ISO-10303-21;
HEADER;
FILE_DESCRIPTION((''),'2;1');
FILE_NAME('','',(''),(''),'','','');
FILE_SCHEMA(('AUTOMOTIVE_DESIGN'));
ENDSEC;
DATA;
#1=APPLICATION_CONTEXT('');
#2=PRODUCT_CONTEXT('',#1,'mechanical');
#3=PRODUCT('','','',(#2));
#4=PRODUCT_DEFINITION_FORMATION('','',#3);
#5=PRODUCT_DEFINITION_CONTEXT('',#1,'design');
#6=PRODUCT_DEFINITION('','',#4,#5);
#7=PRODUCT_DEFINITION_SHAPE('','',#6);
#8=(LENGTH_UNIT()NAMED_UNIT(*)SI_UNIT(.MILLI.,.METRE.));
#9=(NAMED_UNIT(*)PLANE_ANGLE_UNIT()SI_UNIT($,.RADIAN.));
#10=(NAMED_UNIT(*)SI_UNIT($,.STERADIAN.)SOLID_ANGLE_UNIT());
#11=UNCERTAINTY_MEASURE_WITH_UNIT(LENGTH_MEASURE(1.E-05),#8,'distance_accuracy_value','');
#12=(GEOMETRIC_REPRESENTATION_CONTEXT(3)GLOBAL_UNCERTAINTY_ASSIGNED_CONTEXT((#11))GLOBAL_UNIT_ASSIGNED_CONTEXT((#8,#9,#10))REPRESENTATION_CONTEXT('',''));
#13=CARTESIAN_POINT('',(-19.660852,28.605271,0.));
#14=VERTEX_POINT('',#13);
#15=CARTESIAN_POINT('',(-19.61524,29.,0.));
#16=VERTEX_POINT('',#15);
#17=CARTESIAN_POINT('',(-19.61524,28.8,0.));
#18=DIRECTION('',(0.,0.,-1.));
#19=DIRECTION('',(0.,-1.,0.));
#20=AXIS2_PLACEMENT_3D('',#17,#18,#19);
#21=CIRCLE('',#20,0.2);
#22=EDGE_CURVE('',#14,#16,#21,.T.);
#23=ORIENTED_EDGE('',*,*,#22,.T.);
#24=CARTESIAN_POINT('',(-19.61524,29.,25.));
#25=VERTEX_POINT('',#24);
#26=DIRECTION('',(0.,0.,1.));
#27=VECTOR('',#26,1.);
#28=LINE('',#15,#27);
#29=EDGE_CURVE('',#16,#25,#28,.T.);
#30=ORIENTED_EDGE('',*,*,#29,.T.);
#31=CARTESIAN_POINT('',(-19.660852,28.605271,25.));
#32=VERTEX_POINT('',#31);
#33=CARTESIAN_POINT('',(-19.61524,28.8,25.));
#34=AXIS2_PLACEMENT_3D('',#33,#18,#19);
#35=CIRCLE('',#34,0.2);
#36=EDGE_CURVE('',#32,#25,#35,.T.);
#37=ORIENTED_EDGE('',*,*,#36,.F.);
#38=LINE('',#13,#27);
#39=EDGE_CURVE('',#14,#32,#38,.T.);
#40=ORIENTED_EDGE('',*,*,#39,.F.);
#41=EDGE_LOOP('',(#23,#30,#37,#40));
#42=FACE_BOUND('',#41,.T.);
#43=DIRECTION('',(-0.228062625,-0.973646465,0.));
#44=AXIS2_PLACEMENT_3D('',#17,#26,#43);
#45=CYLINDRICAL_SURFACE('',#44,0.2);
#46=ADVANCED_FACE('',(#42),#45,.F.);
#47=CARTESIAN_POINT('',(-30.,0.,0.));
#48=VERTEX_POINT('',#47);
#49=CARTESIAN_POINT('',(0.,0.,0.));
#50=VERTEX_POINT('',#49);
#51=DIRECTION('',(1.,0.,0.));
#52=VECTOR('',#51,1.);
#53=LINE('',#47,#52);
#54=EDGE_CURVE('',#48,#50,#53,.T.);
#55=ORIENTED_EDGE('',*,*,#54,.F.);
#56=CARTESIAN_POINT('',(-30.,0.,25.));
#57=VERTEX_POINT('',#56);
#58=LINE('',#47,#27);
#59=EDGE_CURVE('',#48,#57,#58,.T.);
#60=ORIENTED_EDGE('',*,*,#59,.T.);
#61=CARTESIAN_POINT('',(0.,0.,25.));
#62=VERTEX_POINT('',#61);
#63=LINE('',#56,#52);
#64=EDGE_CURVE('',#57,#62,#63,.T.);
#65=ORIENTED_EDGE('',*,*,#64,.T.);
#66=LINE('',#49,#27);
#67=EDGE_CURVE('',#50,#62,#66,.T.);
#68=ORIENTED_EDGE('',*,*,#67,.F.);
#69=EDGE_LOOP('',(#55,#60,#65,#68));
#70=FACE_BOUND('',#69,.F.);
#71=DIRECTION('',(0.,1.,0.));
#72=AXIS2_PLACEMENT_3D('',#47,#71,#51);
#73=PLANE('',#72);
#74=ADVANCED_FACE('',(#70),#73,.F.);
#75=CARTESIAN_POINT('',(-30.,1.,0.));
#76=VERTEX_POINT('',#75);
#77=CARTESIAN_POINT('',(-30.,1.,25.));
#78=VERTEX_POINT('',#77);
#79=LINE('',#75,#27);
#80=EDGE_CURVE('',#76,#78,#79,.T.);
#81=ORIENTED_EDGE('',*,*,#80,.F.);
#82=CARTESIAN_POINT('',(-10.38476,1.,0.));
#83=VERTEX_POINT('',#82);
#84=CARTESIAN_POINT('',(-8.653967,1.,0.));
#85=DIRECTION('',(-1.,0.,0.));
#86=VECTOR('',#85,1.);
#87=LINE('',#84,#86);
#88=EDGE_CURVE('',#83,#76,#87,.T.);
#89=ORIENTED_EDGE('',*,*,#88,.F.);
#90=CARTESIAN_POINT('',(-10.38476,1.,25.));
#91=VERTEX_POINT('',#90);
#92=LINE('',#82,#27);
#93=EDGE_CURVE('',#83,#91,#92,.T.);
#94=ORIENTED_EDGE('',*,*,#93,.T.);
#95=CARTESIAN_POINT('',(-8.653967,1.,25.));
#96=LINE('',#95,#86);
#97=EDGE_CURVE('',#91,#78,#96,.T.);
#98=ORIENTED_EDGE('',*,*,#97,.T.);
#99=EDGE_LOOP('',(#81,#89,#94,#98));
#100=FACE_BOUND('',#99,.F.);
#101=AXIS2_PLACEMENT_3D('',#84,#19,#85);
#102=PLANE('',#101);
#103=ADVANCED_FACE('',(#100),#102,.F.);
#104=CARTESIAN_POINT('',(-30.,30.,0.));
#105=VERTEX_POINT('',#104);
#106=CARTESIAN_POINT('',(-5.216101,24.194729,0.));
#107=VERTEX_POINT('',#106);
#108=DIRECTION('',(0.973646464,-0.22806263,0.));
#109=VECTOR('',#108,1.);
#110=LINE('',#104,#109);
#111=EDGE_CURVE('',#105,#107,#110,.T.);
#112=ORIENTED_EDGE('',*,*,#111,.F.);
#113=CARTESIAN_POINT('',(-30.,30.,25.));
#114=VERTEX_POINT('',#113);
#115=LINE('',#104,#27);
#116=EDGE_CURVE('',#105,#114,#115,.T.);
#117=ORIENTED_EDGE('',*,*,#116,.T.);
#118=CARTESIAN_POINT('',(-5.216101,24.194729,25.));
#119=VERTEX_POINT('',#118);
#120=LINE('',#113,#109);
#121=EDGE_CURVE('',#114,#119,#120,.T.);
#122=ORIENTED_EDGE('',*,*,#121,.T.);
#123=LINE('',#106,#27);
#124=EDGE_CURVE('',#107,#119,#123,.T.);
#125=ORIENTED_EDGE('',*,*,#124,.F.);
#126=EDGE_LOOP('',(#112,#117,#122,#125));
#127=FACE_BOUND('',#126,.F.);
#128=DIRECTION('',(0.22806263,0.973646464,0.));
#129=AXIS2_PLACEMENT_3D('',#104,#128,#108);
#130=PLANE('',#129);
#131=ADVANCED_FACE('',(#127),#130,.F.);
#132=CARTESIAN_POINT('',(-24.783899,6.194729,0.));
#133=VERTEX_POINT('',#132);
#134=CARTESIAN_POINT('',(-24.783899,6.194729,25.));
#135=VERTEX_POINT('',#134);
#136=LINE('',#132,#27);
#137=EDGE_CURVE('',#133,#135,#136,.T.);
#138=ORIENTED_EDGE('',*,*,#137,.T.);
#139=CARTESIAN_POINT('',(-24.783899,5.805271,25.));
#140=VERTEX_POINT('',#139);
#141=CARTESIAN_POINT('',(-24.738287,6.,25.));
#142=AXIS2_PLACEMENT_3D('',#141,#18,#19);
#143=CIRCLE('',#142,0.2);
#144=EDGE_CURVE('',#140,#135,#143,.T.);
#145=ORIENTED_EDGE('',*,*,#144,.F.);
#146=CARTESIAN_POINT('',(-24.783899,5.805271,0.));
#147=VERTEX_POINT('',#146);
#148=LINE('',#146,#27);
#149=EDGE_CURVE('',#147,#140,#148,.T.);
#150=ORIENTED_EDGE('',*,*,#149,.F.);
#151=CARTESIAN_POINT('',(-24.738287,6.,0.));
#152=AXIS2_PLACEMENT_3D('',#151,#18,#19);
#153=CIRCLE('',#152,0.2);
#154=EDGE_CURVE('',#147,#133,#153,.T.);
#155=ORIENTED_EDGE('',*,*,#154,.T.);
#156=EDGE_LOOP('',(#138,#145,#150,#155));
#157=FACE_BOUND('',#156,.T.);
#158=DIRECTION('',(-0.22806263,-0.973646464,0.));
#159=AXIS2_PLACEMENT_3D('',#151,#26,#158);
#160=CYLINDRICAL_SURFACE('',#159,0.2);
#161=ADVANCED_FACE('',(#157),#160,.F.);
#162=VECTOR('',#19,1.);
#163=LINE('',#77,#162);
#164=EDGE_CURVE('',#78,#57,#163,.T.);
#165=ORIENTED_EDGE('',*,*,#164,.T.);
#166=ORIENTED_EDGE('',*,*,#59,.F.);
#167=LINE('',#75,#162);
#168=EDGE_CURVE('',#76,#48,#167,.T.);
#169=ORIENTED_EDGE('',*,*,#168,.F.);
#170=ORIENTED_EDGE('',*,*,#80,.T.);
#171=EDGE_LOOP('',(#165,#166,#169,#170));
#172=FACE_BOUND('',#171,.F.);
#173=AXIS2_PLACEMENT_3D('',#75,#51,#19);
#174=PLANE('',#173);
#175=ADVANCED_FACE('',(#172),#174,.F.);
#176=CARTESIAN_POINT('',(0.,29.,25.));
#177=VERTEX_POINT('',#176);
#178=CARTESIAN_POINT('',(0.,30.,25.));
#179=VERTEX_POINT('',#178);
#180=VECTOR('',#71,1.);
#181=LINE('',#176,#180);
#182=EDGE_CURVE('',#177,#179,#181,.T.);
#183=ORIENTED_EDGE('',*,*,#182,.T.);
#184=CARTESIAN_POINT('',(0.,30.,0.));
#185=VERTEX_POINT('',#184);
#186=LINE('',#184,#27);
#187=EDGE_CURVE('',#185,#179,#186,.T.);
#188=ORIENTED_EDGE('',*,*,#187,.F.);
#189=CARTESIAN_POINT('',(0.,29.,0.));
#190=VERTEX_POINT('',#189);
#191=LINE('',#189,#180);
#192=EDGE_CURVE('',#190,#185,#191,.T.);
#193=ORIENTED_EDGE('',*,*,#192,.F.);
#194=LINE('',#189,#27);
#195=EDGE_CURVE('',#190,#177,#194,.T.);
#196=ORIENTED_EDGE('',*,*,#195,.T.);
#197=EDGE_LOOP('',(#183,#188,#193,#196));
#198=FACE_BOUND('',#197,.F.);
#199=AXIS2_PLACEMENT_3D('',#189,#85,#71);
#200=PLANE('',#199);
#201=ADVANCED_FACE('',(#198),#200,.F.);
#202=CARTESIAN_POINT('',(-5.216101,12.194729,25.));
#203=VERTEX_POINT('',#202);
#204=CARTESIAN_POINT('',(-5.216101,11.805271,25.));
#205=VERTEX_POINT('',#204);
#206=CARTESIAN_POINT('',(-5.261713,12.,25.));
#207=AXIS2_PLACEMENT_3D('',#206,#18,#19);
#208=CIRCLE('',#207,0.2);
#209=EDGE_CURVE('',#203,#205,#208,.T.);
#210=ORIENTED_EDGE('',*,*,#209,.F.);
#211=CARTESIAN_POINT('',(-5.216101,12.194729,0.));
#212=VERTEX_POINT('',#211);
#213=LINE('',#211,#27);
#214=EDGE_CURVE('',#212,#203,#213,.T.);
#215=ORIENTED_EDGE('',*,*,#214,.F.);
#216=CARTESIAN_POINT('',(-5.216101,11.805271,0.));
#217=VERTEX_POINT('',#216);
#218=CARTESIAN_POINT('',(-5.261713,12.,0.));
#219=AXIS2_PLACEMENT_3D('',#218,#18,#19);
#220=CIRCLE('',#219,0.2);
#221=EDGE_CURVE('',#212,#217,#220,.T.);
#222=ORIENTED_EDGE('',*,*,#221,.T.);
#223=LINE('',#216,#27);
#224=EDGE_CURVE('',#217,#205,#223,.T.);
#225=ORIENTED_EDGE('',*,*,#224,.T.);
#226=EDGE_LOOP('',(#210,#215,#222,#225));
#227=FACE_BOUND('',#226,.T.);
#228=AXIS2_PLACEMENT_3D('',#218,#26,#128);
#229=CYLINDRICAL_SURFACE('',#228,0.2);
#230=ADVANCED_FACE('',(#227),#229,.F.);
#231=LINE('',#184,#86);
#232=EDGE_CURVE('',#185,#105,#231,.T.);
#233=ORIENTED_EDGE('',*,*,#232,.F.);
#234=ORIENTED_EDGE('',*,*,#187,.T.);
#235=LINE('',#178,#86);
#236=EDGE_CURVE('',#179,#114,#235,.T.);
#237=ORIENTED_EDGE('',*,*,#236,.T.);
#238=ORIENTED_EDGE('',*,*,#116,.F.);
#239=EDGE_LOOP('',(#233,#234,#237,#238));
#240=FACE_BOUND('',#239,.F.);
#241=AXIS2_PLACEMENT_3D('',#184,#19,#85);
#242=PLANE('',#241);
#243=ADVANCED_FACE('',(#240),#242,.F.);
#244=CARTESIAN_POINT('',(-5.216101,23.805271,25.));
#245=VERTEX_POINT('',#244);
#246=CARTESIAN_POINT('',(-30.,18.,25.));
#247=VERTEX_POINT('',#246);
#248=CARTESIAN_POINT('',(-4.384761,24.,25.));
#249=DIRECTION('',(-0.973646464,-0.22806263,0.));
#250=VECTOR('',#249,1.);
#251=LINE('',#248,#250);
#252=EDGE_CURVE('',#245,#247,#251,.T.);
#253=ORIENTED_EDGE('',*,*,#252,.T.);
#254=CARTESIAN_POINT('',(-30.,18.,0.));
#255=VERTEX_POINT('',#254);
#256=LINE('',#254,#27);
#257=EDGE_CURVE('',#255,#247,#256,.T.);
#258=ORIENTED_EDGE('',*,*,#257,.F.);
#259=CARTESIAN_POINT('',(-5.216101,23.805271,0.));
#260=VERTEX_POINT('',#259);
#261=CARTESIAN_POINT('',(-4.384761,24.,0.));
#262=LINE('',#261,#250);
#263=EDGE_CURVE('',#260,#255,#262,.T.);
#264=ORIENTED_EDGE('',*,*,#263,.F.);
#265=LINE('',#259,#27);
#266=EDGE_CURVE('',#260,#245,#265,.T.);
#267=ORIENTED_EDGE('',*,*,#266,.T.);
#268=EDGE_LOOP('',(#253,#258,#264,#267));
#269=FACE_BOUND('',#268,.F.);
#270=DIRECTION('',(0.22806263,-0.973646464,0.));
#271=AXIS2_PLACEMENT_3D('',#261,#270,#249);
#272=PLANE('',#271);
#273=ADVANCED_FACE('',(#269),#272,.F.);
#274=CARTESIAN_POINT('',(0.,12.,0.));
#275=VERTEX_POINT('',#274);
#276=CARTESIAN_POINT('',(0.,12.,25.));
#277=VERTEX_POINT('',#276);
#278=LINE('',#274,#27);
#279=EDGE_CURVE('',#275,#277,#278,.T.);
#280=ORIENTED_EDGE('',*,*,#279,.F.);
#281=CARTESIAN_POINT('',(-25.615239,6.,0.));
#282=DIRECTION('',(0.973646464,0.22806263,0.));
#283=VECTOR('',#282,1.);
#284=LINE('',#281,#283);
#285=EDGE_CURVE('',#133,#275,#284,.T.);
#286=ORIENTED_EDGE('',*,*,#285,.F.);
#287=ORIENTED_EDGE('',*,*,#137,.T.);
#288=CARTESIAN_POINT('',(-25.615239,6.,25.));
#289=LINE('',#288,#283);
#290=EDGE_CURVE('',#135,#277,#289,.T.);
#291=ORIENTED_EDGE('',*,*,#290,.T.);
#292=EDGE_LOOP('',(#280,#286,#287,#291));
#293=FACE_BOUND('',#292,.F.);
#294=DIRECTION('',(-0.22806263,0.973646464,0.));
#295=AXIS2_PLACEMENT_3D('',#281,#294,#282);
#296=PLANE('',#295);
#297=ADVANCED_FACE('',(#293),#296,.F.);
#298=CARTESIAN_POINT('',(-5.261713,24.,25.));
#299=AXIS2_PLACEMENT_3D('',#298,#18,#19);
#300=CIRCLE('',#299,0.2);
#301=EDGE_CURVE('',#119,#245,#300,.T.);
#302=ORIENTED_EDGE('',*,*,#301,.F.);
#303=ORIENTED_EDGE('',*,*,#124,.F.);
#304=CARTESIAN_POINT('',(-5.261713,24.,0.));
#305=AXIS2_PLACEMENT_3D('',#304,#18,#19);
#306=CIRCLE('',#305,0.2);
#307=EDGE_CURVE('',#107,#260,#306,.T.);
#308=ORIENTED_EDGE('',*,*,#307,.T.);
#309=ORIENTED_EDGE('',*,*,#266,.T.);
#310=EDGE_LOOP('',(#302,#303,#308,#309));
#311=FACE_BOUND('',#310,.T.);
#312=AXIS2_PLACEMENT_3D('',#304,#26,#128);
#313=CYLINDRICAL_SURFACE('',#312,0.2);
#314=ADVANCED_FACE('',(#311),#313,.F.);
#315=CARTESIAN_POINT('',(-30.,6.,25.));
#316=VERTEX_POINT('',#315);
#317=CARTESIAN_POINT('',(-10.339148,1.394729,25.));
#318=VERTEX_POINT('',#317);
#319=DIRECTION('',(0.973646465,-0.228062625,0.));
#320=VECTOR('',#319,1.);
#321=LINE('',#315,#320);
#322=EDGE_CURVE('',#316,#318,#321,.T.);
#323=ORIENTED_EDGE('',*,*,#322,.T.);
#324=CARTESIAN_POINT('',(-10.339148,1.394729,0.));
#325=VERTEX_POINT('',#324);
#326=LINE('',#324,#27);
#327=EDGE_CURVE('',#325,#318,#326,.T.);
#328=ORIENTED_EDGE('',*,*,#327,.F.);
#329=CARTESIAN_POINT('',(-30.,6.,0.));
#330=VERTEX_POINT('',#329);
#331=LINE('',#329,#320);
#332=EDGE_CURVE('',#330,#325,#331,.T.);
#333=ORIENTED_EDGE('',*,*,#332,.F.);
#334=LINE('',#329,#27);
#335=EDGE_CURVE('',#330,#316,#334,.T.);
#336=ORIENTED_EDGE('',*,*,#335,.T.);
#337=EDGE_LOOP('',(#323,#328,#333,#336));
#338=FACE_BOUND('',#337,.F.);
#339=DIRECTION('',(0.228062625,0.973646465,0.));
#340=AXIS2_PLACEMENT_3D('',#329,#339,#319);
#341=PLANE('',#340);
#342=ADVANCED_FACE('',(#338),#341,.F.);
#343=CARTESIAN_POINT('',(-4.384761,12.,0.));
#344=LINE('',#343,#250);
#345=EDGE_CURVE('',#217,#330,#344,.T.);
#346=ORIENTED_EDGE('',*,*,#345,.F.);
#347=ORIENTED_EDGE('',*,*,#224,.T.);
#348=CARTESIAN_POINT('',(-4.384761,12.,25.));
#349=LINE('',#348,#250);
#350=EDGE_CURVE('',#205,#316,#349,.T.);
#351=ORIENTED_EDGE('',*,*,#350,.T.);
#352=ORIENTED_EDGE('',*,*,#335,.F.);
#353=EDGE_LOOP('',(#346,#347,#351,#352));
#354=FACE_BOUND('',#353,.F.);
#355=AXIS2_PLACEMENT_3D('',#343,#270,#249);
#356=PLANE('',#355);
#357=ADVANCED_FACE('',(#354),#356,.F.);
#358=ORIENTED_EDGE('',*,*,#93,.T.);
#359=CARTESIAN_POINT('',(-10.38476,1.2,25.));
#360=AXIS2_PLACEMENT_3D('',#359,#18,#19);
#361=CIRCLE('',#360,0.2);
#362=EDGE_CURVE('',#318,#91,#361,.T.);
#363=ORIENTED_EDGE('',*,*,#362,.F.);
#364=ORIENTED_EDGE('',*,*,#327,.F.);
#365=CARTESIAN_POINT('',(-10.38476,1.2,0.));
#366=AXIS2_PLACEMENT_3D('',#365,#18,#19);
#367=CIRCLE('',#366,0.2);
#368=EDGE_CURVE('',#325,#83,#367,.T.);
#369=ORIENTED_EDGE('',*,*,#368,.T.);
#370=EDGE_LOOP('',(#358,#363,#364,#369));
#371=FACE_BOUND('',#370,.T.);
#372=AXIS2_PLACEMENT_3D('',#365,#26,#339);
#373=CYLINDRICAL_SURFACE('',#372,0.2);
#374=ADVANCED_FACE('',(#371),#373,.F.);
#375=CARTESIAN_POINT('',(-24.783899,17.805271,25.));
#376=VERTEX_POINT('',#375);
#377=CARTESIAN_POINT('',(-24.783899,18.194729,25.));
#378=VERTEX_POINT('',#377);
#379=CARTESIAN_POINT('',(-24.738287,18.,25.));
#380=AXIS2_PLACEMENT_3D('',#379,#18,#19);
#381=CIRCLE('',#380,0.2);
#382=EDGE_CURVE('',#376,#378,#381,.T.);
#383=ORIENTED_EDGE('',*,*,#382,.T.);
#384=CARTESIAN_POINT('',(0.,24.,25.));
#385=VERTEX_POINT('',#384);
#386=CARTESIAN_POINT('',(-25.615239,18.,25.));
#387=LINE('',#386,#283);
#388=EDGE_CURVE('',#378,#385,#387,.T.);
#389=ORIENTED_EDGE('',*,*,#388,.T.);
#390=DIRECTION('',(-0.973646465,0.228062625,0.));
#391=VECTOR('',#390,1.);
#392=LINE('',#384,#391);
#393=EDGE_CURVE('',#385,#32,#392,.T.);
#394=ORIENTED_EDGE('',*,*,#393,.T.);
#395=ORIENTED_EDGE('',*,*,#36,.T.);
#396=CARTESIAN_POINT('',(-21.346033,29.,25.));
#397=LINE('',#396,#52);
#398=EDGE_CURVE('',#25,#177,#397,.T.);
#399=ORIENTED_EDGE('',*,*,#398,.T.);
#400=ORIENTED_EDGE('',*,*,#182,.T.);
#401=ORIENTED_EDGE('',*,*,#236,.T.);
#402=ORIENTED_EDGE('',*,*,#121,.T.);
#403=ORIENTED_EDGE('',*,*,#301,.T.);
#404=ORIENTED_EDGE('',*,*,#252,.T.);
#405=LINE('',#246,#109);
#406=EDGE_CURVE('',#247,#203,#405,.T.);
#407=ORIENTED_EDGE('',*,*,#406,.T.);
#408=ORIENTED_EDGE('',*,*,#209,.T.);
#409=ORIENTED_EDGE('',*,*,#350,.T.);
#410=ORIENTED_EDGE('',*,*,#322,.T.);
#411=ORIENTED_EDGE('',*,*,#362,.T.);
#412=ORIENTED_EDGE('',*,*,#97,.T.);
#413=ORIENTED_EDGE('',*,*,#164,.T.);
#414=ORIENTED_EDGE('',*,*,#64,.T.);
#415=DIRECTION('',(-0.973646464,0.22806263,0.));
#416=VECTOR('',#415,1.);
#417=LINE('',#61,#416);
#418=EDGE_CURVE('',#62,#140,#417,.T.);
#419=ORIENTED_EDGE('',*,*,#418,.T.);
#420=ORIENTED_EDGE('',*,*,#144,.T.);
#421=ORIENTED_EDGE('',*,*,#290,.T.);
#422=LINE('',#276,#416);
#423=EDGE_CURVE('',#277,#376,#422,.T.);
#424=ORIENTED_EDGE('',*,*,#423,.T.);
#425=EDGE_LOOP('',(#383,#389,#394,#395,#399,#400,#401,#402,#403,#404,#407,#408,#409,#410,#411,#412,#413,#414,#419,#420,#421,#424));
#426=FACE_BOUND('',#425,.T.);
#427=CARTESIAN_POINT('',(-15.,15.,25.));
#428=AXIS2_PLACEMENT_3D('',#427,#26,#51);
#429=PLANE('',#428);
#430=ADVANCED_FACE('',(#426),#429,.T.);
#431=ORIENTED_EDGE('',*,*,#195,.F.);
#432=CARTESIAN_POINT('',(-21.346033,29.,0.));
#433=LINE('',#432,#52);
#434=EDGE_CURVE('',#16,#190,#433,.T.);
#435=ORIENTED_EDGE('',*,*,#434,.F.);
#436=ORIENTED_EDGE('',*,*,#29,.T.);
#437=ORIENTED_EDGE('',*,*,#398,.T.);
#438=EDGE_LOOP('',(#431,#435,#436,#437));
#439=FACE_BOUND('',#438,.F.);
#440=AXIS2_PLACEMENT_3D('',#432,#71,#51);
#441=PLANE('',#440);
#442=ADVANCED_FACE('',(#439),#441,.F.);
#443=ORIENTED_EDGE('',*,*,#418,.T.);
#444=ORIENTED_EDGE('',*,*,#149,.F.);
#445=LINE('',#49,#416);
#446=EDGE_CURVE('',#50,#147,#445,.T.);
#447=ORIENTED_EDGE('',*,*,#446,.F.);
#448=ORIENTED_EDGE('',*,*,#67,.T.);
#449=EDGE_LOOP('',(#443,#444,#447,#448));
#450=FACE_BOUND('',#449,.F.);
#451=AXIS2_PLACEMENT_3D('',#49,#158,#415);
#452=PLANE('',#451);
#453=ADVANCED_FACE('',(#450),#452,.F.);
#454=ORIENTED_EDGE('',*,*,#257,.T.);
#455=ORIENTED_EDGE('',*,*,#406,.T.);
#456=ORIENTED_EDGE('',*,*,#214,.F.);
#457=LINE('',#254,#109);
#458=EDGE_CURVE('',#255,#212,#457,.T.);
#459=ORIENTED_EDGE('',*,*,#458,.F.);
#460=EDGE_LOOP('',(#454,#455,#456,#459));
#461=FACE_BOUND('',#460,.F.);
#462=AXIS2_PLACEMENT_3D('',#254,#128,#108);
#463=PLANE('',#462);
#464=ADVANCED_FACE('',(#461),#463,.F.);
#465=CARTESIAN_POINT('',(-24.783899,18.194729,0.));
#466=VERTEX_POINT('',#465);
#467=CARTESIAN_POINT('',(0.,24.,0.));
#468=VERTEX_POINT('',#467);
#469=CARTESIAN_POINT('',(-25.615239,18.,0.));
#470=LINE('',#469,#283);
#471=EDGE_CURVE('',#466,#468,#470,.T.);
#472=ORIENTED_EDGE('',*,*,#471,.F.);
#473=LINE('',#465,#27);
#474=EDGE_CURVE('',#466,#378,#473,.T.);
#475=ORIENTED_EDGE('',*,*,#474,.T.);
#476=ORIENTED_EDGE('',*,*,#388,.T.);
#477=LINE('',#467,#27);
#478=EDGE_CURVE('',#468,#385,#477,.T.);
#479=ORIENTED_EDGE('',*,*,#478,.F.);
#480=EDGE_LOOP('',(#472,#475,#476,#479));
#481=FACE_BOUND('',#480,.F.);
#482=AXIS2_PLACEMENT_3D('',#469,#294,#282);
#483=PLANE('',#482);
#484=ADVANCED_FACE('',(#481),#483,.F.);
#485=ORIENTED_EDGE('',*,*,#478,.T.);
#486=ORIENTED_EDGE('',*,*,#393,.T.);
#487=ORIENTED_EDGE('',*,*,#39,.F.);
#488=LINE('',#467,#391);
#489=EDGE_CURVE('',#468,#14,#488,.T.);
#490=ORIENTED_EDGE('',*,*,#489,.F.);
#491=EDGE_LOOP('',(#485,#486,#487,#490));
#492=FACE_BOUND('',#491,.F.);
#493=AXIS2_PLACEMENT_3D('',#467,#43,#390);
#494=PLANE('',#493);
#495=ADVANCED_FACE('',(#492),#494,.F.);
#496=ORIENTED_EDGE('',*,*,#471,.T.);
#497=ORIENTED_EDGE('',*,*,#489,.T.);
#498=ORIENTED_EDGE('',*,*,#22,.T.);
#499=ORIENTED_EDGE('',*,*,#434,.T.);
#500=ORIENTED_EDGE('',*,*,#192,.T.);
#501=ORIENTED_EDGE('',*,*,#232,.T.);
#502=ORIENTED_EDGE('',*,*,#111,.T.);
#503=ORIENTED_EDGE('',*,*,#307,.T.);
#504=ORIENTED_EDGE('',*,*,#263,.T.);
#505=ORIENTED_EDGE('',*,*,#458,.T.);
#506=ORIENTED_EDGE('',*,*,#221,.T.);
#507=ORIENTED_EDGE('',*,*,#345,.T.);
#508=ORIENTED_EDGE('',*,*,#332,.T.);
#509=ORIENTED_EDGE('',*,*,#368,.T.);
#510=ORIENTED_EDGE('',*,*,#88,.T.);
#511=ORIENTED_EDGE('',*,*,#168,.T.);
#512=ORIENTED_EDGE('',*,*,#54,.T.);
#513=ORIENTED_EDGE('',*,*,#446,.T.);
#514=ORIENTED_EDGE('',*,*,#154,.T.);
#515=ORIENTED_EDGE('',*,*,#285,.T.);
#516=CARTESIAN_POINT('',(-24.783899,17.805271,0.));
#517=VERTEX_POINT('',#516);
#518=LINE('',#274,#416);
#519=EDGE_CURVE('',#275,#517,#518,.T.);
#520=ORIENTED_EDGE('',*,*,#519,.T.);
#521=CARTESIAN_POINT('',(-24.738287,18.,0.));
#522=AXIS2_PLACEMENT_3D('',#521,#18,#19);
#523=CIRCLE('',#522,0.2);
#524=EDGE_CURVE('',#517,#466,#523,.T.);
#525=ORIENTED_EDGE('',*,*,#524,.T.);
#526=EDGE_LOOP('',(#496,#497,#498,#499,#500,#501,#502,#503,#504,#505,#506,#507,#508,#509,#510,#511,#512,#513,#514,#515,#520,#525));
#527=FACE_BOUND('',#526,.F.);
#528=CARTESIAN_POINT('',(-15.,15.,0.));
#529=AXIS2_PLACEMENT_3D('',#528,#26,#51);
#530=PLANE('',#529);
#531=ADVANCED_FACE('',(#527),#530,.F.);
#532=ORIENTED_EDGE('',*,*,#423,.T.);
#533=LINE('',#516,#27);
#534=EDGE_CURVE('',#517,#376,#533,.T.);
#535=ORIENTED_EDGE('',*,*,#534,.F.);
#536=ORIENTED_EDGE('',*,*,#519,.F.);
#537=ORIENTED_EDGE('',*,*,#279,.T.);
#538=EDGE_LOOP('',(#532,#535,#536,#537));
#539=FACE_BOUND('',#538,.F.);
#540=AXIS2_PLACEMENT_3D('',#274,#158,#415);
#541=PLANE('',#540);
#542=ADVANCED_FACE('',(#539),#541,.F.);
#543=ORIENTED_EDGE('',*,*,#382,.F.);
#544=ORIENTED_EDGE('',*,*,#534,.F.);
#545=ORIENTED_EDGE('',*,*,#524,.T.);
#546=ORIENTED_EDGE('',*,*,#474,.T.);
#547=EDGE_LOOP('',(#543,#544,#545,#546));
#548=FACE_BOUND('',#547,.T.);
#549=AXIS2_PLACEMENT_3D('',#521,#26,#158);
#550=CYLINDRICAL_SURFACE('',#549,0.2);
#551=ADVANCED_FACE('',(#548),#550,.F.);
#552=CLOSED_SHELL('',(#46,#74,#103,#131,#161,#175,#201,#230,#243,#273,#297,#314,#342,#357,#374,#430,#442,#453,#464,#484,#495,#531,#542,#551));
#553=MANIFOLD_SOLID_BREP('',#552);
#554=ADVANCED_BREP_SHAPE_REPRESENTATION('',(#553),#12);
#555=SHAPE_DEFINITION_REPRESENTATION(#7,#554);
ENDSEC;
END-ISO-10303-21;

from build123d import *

# Parameters (mm, degrees)
F1_DEPTH = 25
F2_R     = 0.2


with BuildPart() as f1:
    # F0 (on Top) → F1 (new body)
    with BuildSketch(Plane.XY):
        Polygon((-30, 6), (-8.653967, 1), (-30, 1), (-30, 0), (0, 0), (-25.615239, 6), (0, 12), (-25.615239, 18), (0, 24), (-21.346033, 29), (0, 29), (0, 30), (-30, 30), (-4.384761, 24), (-30, 18), (-4.384761, 12), align=None)
    extrude(amount=F1_DEPTH)

    # F2
    f2_edges = [f1.edges().sort_by_distance(p)[0] for p in [
        (-21.346033, 29, 12.5),
        (-25.615239, 18, 12.5),
        (-25.615239, 6, 12.5),
        (-8.653967, 1, 12.5),
        (-4.384761, 12, 12.5),
        (-4.384761, 24, 12.5),
    ]]
    fillet(f2_edges, radius=F2_R)


solid = f1.part
